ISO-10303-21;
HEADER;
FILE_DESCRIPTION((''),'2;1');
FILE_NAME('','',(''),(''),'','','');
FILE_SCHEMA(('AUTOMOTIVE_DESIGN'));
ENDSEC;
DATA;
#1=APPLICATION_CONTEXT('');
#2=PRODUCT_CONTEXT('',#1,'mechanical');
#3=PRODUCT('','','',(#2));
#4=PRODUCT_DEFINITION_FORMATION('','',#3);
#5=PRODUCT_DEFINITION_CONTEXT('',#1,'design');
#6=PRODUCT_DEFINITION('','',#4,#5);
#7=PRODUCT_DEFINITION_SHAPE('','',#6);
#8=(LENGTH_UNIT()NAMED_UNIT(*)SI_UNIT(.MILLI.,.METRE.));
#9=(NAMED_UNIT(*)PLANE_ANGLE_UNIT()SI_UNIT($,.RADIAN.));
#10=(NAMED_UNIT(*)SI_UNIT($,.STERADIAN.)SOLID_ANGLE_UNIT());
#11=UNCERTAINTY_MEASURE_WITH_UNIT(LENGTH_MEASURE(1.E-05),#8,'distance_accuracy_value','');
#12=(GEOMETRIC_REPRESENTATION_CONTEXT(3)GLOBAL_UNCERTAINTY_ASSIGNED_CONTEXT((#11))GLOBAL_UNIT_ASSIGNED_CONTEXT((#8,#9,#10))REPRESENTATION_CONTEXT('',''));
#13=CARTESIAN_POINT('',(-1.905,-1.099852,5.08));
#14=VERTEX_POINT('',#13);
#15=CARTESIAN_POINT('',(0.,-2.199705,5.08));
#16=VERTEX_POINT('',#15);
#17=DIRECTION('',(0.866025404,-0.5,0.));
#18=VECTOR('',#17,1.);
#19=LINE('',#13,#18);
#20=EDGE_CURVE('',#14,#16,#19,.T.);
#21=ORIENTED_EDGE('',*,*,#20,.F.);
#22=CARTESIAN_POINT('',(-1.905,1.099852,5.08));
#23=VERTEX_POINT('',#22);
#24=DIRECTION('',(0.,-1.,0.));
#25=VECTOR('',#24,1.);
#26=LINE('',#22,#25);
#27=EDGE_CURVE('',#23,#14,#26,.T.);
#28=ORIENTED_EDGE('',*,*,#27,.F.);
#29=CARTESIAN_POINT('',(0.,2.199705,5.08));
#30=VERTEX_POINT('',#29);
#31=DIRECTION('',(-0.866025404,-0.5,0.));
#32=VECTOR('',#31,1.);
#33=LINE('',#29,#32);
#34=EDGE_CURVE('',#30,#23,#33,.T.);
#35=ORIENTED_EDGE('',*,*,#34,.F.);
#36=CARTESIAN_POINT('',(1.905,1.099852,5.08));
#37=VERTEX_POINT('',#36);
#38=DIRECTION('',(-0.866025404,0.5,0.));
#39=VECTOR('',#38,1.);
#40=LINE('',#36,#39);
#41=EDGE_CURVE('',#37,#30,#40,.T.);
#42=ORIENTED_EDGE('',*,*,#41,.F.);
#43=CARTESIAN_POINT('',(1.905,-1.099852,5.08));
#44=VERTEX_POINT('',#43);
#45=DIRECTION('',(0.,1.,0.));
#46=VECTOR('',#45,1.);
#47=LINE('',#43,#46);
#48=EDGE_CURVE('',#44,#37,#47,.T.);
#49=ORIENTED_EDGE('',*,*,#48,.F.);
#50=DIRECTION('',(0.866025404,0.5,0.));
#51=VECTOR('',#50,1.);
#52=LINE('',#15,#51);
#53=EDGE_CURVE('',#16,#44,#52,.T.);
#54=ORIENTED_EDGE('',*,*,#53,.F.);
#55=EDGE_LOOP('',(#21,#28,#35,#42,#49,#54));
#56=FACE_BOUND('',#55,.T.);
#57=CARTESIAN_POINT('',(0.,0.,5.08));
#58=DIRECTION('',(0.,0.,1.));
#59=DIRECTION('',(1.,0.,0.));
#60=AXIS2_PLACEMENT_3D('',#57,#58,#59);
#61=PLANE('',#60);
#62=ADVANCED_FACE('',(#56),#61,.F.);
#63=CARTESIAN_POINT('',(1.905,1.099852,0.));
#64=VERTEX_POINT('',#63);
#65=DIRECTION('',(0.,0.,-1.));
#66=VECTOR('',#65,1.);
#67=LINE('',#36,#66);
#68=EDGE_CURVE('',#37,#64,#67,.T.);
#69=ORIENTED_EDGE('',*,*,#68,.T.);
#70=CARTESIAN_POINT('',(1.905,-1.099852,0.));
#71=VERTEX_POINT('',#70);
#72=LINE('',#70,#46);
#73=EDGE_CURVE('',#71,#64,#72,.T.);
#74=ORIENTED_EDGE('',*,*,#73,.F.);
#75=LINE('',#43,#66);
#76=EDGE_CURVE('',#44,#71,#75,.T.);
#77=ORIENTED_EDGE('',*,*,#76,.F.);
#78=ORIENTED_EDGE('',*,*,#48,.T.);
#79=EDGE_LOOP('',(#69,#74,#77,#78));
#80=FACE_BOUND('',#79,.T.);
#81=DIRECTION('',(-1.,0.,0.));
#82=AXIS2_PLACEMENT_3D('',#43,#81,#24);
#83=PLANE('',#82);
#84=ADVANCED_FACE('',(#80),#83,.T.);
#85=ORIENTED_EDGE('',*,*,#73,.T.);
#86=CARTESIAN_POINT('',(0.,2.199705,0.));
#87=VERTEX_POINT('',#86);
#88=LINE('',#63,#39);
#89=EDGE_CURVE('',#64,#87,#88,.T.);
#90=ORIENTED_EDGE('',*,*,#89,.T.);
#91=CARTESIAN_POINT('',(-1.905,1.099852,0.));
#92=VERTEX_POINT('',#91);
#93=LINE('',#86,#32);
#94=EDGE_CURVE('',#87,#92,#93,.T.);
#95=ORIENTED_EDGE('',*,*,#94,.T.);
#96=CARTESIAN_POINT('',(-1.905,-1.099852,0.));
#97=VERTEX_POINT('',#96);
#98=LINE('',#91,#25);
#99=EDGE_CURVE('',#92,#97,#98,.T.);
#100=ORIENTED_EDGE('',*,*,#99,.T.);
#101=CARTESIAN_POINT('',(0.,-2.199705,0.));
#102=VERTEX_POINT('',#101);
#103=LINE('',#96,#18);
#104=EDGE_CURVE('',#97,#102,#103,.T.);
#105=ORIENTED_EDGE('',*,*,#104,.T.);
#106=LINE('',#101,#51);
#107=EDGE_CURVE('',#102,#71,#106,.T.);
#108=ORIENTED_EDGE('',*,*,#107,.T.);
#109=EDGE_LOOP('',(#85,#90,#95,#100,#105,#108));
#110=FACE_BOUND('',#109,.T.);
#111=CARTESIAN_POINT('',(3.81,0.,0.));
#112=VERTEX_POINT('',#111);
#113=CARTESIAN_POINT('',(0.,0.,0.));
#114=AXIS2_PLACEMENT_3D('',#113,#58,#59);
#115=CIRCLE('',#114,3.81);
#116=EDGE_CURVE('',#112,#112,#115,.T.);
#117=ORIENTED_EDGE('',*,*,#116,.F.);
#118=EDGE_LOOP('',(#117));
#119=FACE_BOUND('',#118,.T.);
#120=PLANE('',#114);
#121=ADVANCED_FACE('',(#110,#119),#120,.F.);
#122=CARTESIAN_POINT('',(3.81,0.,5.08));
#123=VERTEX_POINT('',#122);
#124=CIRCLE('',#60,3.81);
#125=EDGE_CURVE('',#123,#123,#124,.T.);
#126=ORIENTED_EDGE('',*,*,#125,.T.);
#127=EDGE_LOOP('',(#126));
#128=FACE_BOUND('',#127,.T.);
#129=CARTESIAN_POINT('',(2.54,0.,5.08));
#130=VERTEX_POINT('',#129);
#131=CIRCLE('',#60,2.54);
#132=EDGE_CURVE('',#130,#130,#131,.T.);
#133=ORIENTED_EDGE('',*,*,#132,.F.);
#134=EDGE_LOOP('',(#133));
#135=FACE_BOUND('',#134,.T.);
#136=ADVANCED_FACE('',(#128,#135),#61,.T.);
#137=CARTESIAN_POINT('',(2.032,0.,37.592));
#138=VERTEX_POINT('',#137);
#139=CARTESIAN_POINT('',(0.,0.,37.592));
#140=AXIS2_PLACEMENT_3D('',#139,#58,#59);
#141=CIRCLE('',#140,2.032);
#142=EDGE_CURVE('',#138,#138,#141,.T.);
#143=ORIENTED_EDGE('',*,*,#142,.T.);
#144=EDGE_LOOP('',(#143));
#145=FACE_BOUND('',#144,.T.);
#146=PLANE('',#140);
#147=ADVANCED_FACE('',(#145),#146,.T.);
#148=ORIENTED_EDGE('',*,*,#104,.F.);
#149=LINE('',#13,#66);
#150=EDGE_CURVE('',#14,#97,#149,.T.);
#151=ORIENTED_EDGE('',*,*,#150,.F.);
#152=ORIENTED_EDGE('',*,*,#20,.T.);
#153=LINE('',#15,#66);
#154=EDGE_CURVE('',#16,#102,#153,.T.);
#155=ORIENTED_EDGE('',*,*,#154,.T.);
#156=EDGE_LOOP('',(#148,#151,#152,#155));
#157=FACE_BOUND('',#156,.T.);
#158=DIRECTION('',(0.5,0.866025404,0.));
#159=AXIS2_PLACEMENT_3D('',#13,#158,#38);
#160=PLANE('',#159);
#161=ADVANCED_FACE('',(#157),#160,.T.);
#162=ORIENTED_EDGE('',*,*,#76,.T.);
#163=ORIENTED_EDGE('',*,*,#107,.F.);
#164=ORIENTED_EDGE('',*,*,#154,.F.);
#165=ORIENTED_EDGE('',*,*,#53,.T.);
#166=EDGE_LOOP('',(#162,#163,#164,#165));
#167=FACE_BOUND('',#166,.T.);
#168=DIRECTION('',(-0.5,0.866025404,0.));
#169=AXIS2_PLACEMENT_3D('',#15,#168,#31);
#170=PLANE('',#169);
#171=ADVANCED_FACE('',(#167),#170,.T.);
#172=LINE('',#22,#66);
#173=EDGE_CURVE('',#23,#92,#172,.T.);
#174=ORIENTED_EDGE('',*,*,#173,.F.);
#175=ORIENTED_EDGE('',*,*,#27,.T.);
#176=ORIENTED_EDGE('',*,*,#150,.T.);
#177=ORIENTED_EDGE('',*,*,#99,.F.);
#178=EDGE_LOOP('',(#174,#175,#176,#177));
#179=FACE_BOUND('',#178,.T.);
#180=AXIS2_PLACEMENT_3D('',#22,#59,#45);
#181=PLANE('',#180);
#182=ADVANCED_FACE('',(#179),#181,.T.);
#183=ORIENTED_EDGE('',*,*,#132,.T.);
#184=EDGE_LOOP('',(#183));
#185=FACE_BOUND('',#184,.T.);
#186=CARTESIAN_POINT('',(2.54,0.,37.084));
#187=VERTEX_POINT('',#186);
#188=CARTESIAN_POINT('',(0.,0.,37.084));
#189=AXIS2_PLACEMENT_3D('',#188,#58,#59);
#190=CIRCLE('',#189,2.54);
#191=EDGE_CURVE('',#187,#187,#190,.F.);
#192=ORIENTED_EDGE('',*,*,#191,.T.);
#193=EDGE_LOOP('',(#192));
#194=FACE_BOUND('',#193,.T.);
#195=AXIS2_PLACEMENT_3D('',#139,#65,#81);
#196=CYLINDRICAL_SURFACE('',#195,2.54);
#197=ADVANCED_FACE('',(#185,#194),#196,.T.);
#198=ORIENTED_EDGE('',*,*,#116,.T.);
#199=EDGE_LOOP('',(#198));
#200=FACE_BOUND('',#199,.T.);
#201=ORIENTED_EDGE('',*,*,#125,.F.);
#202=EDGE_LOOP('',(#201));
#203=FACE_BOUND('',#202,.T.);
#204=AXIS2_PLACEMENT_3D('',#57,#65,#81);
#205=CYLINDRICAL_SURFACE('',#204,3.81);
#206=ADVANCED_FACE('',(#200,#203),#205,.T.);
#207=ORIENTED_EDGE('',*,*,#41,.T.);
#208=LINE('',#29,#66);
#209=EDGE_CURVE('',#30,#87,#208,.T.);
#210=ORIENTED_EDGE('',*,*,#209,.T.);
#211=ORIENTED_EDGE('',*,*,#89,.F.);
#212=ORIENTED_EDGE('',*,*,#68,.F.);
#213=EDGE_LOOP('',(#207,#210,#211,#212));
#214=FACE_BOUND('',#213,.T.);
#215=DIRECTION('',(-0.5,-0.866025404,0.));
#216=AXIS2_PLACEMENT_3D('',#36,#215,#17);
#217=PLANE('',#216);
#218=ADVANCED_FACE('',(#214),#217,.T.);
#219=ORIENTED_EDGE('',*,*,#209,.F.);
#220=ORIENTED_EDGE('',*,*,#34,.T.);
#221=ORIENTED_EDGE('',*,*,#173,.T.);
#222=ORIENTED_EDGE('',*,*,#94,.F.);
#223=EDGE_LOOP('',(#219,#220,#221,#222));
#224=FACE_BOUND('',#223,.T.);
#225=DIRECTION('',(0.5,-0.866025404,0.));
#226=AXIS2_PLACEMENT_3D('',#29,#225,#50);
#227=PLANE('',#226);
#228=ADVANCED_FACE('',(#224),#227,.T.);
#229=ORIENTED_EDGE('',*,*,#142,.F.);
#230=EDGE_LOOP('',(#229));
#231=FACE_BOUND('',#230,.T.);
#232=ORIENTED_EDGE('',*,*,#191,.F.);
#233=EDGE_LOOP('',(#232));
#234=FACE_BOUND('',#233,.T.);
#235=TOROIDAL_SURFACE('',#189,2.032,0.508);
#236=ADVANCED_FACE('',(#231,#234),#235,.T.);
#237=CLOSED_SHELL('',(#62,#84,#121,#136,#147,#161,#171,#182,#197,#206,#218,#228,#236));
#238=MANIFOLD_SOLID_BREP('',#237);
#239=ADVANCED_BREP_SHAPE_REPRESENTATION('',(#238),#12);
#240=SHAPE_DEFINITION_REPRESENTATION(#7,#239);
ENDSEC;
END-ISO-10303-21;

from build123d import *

# Parameters (mm, degrees)
SKETCH1_R           = 3.81
BOSS_EXTRUDE1_DEPTH = 5.08
SKETCH2_R           = 2.54
BOSS_EXTRUDE2_DEPTH = 32.512
FILLET1_R           = 0.508


with BuildPart() as part:
    # Sketch1 → Boss-Extrude1 (new body)
    with BuildSketch(Plane.XY):
        Circle(SKETCH1_R)
        Polygon((1.905, 1.099852263), (0, 2.199704526), (-1.905, 1.099852263), (-1.905, -1.099852263), (0, -2.199704526), (1.905, -1.099852263), align=None, mode=Mode.SUBTRACT)
    extrude(amount=BOSS_EXTRUDE1_DEPTH)

    # Sketch2 → Boss-Extrude2 (add)
    with BuildSketch(Plane.XY.offset(5.08)):
        Circle(SKETCH2_R)
    extrude(amount=BOSS_EXTRUDE2_DEPTH)

    # Fillet1
    fillet1_edges = [part.edges().sort_by_distance(p)[0] for p in [
        (-2.54, 0, 37.592),
    ]]
    fillet(fillet1_edges, radius=FILLET1_R)


solid = part.part
